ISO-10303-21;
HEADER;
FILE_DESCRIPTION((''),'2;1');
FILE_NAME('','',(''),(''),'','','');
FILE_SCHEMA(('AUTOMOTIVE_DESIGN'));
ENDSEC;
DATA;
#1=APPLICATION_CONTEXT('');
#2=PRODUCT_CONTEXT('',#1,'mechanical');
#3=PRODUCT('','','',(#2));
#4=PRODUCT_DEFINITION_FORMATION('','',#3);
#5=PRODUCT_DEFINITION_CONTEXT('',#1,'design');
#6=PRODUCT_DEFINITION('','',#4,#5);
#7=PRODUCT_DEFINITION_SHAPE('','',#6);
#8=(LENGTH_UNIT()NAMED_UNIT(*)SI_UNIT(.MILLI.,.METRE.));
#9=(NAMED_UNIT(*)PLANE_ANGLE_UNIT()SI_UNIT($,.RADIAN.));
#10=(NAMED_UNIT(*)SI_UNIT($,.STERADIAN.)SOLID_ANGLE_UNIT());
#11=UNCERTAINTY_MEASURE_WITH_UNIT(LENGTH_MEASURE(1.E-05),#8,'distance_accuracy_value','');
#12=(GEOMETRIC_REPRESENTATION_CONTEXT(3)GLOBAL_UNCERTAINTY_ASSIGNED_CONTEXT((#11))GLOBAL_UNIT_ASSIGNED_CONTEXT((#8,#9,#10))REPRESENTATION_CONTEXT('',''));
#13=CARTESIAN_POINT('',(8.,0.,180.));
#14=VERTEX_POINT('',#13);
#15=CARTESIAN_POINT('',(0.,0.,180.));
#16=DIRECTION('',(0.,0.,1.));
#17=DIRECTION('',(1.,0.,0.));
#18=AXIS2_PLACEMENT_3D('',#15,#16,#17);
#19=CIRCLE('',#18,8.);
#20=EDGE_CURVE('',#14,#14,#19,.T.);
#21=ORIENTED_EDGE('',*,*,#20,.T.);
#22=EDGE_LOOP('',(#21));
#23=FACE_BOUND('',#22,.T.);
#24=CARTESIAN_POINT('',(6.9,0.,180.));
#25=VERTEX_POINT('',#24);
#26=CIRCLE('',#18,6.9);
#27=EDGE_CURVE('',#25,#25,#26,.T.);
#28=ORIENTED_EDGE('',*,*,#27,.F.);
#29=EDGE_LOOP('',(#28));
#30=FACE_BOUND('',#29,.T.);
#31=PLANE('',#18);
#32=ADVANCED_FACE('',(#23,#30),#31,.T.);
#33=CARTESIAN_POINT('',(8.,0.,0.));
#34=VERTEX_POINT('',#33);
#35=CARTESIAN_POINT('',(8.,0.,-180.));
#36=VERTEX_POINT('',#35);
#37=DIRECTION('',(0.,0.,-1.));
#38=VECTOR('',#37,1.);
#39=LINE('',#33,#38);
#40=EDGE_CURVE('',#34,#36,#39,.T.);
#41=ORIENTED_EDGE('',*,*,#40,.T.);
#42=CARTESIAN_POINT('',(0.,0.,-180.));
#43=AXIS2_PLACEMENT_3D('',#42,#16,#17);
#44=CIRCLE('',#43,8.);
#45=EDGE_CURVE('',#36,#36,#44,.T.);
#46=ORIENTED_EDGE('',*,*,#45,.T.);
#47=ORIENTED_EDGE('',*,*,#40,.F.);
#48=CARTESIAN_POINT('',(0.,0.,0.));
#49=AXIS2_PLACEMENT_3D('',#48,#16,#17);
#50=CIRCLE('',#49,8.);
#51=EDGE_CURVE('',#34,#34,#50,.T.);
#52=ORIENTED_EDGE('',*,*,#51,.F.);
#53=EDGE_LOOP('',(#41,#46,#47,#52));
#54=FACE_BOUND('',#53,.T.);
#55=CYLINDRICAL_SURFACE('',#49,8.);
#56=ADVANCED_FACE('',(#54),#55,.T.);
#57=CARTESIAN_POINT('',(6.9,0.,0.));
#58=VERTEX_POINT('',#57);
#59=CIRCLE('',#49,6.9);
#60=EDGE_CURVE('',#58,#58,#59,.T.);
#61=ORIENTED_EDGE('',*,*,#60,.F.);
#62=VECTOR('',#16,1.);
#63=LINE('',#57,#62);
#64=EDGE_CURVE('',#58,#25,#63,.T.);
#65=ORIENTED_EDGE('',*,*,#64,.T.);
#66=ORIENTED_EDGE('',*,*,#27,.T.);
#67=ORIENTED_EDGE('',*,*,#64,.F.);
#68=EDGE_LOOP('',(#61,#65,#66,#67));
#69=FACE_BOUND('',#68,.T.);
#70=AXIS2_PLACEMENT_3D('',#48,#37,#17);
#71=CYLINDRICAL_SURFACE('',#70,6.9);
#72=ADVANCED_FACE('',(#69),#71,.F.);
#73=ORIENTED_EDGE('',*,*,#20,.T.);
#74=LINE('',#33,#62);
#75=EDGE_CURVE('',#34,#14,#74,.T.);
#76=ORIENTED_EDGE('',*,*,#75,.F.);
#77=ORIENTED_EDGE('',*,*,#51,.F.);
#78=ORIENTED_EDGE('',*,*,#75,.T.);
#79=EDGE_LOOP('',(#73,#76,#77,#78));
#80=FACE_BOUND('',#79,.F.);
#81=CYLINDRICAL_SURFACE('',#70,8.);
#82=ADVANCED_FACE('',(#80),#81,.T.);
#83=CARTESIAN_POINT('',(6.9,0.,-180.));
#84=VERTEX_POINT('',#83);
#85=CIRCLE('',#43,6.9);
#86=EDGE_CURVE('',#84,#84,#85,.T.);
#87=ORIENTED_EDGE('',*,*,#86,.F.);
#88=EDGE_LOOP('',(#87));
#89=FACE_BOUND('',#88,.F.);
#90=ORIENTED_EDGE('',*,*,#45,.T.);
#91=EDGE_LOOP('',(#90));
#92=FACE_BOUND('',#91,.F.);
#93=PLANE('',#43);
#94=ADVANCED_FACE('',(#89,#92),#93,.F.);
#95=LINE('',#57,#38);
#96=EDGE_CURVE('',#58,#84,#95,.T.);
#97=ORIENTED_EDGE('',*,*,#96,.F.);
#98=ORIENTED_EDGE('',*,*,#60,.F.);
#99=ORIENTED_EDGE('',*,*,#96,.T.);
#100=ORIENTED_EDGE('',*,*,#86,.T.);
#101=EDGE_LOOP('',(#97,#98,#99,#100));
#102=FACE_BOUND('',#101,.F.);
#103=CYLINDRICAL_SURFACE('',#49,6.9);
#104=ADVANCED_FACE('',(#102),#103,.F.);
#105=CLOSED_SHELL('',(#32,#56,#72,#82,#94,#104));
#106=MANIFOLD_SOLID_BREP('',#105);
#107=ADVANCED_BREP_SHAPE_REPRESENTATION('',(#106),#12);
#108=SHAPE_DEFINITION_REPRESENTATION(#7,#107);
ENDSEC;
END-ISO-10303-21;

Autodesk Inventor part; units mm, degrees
ref_plane "YZ Plane" through (0, 0, 0) normal (1, 0, 0) x (0, 1, 0)
ref_plane "XZ Plane" through (0, 0, 0) normal (0, 1, 0) x (-1, 0, 0)
ref_plane "XY Plane" through (0, 0, 0) normal (0, 0, 1) x (1, 0, 0)
sketch "スケッチ1" plane through (0, 0, 0) normal (0, 0, 1) x (1, 0, 0)
  circle A0 centre (0, 0) radius 8
  circle A1 centre (0, 0) radius 6.9
  dimension "d0" = 16
  dimension "d1" = 13.8
extrude "押し出し1" add sketch "スケッチ1" along normal mid plane 360
properties part number "pipe_16mm"
